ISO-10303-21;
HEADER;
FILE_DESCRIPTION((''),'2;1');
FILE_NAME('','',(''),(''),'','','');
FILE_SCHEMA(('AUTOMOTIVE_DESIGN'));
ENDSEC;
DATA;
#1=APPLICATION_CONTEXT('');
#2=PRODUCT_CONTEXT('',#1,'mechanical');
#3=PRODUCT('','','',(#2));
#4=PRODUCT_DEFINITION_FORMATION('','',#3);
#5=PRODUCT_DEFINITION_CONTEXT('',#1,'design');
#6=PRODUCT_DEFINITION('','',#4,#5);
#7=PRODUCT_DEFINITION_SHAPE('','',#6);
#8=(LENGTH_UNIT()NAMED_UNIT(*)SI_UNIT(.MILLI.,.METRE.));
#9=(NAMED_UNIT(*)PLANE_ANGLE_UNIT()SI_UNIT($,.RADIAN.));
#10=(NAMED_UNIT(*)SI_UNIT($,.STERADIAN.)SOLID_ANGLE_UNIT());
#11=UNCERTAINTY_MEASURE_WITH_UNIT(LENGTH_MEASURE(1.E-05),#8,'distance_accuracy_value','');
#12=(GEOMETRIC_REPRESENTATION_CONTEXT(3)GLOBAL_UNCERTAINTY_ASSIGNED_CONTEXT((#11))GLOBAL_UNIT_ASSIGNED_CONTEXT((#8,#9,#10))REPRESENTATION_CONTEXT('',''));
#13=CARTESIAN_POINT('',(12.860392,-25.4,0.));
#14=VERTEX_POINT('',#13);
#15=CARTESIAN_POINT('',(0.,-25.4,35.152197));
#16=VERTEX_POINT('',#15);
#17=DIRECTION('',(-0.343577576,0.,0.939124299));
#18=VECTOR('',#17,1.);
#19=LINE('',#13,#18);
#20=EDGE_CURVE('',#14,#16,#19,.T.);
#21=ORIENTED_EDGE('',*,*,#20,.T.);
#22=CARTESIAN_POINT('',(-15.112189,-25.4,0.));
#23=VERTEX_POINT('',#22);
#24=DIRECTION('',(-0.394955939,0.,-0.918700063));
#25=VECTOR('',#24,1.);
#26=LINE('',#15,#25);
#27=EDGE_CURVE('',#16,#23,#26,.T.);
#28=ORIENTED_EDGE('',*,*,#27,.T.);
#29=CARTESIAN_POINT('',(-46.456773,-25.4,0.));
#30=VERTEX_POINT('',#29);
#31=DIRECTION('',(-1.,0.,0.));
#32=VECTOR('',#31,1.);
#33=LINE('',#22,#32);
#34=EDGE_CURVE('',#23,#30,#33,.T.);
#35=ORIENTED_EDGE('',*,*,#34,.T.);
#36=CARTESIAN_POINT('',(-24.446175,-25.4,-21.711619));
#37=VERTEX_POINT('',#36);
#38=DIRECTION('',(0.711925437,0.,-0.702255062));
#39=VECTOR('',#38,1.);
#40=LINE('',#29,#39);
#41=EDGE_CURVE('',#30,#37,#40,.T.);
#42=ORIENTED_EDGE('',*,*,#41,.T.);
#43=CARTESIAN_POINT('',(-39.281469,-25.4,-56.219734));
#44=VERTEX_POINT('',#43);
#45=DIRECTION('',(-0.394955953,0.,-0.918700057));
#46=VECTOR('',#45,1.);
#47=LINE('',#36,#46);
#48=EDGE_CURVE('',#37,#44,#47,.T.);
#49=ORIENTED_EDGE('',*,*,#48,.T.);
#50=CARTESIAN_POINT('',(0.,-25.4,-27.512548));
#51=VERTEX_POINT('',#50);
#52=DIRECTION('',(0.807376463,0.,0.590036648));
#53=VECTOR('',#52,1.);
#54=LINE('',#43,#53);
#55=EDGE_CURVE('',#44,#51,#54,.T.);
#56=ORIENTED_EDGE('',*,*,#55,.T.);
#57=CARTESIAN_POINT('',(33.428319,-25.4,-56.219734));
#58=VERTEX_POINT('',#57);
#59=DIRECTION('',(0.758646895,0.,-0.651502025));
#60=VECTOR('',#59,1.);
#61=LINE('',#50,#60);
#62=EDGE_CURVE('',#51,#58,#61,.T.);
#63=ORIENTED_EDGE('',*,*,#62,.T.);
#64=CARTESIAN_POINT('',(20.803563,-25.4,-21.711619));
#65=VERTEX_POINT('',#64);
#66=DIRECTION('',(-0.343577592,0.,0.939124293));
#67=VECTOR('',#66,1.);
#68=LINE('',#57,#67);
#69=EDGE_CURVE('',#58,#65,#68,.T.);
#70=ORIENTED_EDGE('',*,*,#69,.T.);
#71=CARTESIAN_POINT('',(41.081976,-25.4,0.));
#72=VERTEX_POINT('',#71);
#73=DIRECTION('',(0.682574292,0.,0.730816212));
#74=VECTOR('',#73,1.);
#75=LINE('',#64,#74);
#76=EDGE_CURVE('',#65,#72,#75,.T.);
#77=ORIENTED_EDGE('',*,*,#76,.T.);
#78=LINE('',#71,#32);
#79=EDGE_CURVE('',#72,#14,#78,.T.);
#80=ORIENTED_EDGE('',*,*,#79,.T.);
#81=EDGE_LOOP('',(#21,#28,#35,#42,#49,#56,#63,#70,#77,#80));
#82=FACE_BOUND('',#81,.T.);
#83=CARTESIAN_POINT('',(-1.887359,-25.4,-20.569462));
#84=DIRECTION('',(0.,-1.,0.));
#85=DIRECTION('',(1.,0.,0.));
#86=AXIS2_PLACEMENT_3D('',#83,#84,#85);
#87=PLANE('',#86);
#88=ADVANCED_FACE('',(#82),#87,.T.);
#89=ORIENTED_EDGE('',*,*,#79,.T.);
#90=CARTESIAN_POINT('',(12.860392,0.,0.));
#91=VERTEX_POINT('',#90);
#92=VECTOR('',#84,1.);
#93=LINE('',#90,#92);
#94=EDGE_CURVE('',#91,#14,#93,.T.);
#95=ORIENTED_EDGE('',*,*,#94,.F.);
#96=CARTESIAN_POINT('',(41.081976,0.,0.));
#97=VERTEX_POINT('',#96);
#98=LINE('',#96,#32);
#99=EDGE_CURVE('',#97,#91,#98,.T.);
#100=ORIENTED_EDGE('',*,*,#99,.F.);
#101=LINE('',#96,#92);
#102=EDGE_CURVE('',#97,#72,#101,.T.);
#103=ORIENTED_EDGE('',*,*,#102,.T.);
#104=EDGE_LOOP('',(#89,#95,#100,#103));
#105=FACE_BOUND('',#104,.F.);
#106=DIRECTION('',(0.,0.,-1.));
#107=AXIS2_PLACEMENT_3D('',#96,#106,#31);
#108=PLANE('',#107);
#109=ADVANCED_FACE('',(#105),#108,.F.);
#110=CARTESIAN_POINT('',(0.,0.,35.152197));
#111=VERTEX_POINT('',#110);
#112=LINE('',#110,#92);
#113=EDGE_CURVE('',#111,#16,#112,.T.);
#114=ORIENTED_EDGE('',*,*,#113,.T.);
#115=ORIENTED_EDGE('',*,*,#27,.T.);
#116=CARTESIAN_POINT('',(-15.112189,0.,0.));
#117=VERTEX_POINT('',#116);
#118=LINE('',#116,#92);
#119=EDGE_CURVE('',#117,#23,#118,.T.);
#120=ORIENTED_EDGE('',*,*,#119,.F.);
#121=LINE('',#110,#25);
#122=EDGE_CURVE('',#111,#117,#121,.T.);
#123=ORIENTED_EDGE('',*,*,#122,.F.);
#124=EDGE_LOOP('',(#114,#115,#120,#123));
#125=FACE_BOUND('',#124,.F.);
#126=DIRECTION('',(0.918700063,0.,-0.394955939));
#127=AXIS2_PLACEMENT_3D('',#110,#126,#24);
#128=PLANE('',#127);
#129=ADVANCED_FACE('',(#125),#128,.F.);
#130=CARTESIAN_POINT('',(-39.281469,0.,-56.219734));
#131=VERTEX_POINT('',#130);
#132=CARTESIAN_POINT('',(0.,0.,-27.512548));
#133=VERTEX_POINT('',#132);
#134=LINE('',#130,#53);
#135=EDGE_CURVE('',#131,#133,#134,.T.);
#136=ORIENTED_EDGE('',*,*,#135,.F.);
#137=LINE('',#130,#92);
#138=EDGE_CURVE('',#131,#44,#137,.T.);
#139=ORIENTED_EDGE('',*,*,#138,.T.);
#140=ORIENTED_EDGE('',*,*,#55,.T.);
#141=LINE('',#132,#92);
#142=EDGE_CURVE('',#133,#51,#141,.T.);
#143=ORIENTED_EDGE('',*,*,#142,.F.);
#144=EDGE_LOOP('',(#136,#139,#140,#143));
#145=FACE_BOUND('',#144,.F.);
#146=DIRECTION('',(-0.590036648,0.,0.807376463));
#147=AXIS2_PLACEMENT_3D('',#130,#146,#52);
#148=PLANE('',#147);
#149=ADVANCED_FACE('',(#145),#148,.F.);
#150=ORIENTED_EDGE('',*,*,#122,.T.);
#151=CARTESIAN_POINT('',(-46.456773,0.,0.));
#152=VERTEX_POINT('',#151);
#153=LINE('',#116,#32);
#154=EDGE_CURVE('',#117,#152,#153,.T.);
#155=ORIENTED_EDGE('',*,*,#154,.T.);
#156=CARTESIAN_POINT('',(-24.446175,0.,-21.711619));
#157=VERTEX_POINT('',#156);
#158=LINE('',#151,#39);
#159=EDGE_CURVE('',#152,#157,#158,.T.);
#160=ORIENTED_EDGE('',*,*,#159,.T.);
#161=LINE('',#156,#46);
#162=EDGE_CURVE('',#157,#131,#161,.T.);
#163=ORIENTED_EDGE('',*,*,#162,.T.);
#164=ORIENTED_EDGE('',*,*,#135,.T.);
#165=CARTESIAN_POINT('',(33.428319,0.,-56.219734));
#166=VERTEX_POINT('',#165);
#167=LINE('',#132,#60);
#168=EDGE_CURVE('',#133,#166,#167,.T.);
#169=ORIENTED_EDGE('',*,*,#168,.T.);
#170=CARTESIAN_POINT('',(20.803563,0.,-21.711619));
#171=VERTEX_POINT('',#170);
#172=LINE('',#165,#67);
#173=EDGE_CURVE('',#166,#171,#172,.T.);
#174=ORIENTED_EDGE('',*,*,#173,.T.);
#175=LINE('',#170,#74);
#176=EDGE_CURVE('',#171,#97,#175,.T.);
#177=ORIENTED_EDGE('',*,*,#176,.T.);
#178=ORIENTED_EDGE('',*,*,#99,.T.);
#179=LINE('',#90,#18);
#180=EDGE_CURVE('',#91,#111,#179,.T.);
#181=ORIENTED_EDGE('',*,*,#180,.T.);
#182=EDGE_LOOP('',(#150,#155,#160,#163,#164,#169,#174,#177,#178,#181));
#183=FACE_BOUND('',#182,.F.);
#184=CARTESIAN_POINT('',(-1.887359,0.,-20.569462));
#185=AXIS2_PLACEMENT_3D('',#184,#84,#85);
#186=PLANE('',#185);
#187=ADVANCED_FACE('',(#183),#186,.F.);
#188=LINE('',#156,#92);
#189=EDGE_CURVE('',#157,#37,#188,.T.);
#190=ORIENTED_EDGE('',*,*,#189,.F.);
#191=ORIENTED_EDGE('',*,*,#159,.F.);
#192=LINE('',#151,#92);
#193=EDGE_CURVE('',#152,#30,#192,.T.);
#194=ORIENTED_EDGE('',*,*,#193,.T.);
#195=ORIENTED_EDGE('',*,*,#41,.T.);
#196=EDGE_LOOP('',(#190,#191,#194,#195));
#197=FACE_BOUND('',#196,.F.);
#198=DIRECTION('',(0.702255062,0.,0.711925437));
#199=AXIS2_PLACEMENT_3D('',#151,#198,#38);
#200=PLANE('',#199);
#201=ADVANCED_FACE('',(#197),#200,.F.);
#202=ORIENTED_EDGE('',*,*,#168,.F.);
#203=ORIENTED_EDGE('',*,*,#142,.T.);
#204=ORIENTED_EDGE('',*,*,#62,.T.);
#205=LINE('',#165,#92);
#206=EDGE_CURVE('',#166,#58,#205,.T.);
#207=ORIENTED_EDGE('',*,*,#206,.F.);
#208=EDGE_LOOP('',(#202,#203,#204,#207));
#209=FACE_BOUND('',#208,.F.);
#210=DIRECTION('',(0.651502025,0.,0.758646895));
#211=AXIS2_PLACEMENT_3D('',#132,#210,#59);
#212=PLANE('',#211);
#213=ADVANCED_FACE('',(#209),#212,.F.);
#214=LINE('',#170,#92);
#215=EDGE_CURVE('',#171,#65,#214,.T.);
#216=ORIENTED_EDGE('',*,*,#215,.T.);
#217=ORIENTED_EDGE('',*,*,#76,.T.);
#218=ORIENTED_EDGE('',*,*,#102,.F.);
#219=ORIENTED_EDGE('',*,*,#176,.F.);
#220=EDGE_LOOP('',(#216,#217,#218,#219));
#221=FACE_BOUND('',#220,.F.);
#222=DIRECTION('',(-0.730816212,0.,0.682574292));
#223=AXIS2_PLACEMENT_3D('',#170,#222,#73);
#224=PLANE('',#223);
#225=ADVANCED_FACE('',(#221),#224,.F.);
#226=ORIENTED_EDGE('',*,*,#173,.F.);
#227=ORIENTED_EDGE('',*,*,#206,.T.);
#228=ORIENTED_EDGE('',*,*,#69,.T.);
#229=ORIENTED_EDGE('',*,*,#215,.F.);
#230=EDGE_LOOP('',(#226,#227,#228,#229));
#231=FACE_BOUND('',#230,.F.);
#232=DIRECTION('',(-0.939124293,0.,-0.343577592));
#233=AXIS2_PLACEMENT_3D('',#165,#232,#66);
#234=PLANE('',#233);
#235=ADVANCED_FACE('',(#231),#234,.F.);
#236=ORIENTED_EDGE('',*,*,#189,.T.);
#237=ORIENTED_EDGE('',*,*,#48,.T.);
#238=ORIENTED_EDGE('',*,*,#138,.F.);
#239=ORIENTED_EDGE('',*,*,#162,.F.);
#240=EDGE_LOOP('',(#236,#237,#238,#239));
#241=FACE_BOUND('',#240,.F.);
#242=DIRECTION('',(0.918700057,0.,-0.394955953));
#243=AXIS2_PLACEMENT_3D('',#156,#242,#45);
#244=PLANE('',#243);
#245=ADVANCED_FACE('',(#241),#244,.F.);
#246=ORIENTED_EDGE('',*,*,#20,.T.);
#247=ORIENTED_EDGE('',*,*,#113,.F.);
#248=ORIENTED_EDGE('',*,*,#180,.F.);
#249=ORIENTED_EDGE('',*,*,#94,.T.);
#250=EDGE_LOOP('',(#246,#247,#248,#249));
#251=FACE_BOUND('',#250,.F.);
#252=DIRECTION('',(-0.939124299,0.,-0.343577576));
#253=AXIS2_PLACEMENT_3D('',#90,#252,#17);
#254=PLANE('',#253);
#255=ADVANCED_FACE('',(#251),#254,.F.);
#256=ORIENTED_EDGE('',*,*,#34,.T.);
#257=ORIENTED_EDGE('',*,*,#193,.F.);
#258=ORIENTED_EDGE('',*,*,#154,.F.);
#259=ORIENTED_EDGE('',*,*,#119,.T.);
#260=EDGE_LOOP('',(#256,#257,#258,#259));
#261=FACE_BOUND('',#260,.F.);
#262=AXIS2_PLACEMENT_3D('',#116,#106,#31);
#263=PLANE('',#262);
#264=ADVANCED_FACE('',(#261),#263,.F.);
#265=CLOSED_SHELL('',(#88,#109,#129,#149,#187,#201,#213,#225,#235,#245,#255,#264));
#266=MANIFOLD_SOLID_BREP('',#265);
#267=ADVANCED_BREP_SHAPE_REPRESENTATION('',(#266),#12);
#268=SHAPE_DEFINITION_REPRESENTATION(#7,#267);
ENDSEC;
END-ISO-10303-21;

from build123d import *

# Parameters (mm, degrees)
F1_DEPTH = 25.4


with BuildPart() as f1:
    # F0 (on Front) → F1 (new body)
    with BuildSketch(Plane.XZ):
        Polygon((12.860392, 0), (0, 35.152197), (-15.112189, 0), (-24.446175, -21.711619), (-39.281469, -56.219734), (0, -27.512548), (33.428319, -56.219734), (20.803563, -21.711619), align=None)
        Polygon((41.081976, 0), (12.860392, 0), (20.803563, -21.711619), align=None)
        Polygon((-24.446175, -21.711619), (-15.112189, 0), (-46.456773, 0), align=None)
    extrude(amount=F1_DEPTH)


solid = f1.part
